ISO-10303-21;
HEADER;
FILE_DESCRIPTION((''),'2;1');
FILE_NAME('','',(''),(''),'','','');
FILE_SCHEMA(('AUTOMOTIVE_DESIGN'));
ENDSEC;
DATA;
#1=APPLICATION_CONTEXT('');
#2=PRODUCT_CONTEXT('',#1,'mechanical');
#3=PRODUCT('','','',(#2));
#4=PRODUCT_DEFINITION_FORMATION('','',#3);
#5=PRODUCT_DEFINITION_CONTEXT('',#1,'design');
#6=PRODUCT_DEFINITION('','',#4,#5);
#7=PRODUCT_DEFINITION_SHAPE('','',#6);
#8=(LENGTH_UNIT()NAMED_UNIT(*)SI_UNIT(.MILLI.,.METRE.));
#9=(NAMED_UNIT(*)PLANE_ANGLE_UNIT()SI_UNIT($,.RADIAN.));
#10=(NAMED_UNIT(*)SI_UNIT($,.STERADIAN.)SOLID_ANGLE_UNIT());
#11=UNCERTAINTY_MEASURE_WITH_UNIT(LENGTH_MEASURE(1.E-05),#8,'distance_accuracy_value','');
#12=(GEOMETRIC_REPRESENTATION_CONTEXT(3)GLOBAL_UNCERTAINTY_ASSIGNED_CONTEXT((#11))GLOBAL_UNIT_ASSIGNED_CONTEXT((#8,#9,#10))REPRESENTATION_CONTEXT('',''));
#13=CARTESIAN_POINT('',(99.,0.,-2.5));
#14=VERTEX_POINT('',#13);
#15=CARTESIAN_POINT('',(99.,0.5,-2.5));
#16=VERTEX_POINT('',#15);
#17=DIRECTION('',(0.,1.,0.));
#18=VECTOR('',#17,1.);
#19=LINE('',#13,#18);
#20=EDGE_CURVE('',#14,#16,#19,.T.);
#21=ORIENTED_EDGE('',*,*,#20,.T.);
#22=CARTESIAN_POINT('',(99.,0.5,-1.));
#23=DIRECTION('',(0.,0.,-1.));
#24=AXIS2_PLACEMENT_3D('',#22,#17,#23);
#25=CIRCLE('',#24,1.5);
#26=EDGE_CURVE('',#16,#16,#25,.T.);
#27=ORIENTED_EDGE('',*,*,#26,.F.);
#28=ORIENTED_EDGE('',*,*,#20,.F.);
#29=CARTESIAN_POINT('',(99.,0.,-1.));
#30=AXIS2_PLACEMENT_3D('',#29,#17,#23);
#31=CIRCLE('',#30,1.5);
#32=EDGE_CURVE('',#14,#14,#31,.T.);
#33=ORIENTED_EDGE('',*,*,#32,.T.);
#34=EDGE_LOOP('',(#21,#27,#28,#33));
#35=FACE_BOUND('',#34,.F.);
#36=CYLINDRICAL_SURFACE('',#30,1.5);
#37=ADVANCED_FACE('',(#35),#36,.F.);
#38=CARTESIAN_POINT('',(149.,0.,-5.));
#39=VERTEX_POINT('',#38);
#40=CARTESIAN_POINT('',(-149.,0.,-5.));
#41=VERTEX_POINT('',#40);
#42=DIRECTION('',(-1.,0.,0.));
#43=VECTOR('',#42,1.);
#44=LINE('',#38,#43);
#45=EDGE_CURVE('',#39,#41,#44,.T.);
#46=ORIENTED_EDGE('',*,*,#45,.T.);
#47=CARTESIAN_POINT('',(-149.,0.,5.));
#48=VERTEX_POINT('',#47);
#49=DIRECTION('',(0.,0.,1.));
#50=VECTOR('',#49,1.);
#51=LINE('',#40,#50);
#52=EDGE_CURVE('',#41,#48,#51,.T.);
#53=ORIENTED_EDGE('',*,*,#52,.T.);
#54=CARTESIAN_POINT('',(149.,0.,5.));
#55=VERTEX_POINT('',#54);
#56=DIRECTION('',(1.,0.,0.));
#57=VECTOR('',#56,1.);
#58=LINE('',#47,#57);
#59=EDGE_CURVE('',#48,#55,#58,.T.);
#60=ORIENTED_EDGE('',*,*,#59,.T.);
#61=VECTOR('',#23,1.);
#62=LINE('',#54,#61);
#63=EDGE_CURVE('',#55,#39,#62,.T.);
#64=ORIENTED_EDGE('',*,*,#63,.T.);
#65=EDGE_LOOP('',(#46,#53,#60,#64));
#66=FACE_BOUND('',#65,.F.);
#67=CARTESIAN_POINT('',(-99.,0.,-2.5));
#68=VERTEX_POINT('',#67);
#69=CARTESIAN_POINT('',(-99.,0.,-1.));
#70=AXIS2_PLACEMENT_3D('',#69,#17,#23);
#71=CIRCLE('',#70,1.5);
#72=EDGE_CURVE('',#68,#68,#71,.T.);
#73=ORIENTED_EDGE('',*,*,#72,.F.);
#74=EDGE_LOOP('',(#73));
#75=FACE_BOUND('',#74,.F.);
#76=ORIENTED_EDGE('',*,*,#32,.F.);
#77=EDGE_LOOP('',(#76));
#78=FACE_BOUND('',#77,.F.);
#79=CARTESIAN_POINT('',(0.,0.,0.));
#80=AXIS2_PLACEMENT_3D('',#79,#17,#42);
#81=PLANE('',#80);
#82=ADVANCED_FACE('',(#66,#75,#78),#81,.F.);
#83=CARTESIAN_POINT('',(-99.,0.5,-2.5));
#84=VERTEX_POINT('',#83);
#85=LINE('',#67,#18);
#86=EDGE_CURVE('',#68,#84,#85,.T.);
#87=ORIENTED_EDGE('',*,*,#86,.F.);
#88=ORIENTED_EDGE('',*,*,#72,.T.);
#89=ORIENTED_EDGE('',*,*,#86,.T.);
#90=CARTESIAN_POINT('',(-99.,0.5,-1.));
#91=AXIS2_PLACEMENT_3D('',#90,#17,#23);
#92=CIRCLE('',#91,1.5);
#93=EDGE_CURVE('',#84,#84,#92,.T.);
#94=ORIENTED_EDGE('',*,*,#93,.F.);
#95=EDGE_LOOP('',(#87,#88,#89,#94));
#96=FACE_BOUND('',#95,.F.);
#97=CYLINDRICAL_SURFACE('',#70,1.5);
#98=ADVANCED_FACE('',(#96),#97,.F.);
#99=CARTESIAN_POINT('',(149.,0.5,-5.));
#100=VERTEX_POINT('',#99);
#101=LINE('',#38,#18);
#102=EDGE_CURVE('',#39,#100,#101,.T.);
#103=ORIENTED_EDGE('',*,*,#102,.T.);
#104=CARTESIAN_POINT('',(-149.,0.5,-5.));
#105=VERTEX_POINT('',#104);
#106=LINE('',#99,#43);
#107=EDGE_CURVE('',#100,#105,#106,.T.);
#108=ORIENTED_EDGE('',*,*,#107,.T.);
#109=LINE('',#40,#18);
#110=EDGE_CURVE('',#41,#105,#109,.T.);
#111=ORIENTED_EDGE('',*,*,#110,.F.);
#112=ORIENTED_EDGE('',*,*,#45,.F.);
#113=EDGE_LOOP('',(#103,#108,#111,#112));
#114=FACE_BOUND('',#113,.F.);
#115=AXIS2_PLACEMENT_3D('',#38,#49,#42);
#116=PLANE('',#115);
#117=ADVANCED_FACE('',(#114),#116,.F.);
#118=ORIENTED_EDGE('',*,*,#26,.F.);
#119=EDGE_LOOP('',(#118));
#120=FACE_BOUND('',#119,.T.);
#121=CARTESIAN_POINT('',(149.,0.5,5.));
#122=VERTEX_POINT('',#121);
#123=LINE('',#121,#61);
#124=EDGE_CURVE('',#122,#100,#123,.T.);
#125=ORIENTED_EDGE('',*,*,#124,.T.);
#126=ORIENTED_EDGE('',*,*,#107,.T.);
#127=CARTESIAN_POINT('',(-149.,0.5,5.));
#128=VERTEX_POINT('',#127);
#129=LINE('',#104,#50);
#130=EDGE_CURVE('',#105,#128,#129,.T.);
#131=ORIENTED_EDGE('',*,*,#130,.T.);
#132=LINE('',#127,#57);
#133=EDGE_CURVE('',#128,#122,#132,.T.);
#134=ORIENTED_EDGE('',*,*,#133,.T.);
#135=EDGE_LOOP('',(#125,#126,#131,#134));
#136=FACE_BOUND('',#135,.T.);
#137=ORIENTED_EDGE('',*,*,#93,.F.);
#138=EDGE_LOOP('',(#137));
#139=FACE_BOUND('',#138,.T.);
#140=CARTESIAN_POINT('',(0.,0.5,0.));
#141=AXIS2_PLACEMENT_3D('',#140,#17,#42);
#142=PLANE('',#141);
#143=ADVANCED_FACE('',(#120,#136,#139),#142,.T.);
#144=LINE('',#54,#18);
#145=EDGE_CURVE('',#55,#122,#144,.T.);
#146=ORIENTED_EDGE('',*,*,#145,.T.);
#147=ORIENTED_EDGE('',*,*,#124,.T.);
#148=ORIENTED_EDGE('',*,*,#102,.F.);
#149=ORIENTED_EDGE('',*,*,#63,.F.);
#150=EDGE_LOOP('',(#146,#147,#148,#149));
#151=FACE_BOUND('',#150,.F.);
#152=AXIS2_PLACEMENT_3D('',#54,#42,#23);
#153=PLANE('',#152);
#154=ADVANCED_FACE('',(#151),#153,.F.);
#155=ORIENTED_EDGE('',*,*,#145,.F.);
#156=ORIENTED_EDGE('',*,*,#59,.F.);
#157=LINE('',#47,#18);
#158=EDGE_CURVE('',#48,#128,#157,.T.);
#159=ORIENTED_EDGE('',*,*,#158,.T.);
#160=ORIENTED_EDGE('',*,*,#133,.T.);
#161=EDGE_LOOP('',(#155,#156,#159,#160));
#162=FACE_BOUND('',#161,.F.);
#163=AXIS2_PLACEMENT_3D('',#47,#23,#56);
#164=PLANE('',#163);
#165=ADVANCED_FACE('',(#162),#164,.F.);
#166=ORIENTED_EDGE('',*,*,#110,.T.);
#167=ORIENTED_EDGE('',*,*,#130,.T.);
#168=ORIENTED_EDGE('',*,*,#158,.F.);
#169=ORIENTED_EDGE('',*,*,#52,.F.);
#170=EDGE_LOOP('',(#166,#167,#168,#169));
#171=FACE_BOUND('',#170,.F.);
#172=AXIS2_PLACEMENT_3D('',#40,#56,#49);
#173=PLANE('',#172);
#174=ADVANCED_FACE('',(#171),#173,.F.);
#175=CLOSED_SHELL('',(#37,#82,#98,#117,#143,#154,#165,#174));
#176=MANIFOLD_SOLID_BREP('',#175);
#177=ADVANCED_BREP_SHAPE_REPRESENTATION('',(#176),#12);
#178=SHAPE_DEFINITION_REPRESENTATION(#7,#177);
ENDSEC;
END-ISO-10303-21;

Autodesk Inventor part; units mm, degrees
ref_plane "YZ Plane" through (0, 0, 0) normal (1, 0, 0) x (0, 1, 0)
ref_plane "XZ Plane" through (0, 0, 0) normal (0, 1, 0) x (-1, 0, 0)
ref_plane "XY Plane" through (0, 0, 0) normal (0, 0, 1) x (1, 0, 0)
sketch "Esboço1" plane through (0, 0, 0) normal (0, 1, 0) x (-1, 0, 0)
  line L0 (149, 5) -> (-149, 5)
  line L1 (-149, 5) -> (-149, -5)
  line L2 (-149, -5) -> (149, -5)
  line L3 (149, -5) -> (149, 5)
  line L4 (149, 5) -> (-149, -5) construction
  line L5 (-149, 5) -> (149, -5) construction
  point P0 (0, 0)
  dimension "d0" = 298
  dimension "d1" = 10
extrude "Placa1" add sketch "Esboço1" along normal blind 0.5
sketch "Esboço2" plane through (0, 0, 0) normal (0, -1, 0) x (1, 0, 0)
  line L0 (149, -5) -> (-149, -5) projected
  line L1 (149, 5) -> (149, -5) projected
  line L2 (-149, -5) -> (-149, 5) projected
  point P0 (0, 0)
  point P1 (-99, -1)
  point P2 (99, -1)
  dimension "d3" = 4
  dimension "d4" = 4
  dimension "d5" = 50
  dimension "d6" = 50
hole "Furo1" at (-99, 0, -1) at (99, 0, -1) direction (0, 1, 0) diameter 3 end through all
equation "\"d12\" = Espessura"
equation "\"d2\" = Espessura"
equation "\"Raio_vergadura\" = Espessura"
equation "\"Largura_alívio_de_vergadura\" = Espessura"
equation "\"Profundidade_alívio_de_vergadura\" = 0.5 * Espessura"
equation "\"Tamanho_alívio_de_dobra\" = 4 * Espessura"
equation "\"Remanescente_mínimo\" = 2 * Espessura"
equation "\"Raiodetransição\" = Raio_vergadura"
equation "\"Tamanho_de_raio_de_Jacobi\" = Raio_vergadura"
equation "\"TamanhoFolga\" = Espessura"
equation "\"Espessura\" = 0.5"
properties part number "Lateral 1 Gaveta" material "PMMA plástico"
